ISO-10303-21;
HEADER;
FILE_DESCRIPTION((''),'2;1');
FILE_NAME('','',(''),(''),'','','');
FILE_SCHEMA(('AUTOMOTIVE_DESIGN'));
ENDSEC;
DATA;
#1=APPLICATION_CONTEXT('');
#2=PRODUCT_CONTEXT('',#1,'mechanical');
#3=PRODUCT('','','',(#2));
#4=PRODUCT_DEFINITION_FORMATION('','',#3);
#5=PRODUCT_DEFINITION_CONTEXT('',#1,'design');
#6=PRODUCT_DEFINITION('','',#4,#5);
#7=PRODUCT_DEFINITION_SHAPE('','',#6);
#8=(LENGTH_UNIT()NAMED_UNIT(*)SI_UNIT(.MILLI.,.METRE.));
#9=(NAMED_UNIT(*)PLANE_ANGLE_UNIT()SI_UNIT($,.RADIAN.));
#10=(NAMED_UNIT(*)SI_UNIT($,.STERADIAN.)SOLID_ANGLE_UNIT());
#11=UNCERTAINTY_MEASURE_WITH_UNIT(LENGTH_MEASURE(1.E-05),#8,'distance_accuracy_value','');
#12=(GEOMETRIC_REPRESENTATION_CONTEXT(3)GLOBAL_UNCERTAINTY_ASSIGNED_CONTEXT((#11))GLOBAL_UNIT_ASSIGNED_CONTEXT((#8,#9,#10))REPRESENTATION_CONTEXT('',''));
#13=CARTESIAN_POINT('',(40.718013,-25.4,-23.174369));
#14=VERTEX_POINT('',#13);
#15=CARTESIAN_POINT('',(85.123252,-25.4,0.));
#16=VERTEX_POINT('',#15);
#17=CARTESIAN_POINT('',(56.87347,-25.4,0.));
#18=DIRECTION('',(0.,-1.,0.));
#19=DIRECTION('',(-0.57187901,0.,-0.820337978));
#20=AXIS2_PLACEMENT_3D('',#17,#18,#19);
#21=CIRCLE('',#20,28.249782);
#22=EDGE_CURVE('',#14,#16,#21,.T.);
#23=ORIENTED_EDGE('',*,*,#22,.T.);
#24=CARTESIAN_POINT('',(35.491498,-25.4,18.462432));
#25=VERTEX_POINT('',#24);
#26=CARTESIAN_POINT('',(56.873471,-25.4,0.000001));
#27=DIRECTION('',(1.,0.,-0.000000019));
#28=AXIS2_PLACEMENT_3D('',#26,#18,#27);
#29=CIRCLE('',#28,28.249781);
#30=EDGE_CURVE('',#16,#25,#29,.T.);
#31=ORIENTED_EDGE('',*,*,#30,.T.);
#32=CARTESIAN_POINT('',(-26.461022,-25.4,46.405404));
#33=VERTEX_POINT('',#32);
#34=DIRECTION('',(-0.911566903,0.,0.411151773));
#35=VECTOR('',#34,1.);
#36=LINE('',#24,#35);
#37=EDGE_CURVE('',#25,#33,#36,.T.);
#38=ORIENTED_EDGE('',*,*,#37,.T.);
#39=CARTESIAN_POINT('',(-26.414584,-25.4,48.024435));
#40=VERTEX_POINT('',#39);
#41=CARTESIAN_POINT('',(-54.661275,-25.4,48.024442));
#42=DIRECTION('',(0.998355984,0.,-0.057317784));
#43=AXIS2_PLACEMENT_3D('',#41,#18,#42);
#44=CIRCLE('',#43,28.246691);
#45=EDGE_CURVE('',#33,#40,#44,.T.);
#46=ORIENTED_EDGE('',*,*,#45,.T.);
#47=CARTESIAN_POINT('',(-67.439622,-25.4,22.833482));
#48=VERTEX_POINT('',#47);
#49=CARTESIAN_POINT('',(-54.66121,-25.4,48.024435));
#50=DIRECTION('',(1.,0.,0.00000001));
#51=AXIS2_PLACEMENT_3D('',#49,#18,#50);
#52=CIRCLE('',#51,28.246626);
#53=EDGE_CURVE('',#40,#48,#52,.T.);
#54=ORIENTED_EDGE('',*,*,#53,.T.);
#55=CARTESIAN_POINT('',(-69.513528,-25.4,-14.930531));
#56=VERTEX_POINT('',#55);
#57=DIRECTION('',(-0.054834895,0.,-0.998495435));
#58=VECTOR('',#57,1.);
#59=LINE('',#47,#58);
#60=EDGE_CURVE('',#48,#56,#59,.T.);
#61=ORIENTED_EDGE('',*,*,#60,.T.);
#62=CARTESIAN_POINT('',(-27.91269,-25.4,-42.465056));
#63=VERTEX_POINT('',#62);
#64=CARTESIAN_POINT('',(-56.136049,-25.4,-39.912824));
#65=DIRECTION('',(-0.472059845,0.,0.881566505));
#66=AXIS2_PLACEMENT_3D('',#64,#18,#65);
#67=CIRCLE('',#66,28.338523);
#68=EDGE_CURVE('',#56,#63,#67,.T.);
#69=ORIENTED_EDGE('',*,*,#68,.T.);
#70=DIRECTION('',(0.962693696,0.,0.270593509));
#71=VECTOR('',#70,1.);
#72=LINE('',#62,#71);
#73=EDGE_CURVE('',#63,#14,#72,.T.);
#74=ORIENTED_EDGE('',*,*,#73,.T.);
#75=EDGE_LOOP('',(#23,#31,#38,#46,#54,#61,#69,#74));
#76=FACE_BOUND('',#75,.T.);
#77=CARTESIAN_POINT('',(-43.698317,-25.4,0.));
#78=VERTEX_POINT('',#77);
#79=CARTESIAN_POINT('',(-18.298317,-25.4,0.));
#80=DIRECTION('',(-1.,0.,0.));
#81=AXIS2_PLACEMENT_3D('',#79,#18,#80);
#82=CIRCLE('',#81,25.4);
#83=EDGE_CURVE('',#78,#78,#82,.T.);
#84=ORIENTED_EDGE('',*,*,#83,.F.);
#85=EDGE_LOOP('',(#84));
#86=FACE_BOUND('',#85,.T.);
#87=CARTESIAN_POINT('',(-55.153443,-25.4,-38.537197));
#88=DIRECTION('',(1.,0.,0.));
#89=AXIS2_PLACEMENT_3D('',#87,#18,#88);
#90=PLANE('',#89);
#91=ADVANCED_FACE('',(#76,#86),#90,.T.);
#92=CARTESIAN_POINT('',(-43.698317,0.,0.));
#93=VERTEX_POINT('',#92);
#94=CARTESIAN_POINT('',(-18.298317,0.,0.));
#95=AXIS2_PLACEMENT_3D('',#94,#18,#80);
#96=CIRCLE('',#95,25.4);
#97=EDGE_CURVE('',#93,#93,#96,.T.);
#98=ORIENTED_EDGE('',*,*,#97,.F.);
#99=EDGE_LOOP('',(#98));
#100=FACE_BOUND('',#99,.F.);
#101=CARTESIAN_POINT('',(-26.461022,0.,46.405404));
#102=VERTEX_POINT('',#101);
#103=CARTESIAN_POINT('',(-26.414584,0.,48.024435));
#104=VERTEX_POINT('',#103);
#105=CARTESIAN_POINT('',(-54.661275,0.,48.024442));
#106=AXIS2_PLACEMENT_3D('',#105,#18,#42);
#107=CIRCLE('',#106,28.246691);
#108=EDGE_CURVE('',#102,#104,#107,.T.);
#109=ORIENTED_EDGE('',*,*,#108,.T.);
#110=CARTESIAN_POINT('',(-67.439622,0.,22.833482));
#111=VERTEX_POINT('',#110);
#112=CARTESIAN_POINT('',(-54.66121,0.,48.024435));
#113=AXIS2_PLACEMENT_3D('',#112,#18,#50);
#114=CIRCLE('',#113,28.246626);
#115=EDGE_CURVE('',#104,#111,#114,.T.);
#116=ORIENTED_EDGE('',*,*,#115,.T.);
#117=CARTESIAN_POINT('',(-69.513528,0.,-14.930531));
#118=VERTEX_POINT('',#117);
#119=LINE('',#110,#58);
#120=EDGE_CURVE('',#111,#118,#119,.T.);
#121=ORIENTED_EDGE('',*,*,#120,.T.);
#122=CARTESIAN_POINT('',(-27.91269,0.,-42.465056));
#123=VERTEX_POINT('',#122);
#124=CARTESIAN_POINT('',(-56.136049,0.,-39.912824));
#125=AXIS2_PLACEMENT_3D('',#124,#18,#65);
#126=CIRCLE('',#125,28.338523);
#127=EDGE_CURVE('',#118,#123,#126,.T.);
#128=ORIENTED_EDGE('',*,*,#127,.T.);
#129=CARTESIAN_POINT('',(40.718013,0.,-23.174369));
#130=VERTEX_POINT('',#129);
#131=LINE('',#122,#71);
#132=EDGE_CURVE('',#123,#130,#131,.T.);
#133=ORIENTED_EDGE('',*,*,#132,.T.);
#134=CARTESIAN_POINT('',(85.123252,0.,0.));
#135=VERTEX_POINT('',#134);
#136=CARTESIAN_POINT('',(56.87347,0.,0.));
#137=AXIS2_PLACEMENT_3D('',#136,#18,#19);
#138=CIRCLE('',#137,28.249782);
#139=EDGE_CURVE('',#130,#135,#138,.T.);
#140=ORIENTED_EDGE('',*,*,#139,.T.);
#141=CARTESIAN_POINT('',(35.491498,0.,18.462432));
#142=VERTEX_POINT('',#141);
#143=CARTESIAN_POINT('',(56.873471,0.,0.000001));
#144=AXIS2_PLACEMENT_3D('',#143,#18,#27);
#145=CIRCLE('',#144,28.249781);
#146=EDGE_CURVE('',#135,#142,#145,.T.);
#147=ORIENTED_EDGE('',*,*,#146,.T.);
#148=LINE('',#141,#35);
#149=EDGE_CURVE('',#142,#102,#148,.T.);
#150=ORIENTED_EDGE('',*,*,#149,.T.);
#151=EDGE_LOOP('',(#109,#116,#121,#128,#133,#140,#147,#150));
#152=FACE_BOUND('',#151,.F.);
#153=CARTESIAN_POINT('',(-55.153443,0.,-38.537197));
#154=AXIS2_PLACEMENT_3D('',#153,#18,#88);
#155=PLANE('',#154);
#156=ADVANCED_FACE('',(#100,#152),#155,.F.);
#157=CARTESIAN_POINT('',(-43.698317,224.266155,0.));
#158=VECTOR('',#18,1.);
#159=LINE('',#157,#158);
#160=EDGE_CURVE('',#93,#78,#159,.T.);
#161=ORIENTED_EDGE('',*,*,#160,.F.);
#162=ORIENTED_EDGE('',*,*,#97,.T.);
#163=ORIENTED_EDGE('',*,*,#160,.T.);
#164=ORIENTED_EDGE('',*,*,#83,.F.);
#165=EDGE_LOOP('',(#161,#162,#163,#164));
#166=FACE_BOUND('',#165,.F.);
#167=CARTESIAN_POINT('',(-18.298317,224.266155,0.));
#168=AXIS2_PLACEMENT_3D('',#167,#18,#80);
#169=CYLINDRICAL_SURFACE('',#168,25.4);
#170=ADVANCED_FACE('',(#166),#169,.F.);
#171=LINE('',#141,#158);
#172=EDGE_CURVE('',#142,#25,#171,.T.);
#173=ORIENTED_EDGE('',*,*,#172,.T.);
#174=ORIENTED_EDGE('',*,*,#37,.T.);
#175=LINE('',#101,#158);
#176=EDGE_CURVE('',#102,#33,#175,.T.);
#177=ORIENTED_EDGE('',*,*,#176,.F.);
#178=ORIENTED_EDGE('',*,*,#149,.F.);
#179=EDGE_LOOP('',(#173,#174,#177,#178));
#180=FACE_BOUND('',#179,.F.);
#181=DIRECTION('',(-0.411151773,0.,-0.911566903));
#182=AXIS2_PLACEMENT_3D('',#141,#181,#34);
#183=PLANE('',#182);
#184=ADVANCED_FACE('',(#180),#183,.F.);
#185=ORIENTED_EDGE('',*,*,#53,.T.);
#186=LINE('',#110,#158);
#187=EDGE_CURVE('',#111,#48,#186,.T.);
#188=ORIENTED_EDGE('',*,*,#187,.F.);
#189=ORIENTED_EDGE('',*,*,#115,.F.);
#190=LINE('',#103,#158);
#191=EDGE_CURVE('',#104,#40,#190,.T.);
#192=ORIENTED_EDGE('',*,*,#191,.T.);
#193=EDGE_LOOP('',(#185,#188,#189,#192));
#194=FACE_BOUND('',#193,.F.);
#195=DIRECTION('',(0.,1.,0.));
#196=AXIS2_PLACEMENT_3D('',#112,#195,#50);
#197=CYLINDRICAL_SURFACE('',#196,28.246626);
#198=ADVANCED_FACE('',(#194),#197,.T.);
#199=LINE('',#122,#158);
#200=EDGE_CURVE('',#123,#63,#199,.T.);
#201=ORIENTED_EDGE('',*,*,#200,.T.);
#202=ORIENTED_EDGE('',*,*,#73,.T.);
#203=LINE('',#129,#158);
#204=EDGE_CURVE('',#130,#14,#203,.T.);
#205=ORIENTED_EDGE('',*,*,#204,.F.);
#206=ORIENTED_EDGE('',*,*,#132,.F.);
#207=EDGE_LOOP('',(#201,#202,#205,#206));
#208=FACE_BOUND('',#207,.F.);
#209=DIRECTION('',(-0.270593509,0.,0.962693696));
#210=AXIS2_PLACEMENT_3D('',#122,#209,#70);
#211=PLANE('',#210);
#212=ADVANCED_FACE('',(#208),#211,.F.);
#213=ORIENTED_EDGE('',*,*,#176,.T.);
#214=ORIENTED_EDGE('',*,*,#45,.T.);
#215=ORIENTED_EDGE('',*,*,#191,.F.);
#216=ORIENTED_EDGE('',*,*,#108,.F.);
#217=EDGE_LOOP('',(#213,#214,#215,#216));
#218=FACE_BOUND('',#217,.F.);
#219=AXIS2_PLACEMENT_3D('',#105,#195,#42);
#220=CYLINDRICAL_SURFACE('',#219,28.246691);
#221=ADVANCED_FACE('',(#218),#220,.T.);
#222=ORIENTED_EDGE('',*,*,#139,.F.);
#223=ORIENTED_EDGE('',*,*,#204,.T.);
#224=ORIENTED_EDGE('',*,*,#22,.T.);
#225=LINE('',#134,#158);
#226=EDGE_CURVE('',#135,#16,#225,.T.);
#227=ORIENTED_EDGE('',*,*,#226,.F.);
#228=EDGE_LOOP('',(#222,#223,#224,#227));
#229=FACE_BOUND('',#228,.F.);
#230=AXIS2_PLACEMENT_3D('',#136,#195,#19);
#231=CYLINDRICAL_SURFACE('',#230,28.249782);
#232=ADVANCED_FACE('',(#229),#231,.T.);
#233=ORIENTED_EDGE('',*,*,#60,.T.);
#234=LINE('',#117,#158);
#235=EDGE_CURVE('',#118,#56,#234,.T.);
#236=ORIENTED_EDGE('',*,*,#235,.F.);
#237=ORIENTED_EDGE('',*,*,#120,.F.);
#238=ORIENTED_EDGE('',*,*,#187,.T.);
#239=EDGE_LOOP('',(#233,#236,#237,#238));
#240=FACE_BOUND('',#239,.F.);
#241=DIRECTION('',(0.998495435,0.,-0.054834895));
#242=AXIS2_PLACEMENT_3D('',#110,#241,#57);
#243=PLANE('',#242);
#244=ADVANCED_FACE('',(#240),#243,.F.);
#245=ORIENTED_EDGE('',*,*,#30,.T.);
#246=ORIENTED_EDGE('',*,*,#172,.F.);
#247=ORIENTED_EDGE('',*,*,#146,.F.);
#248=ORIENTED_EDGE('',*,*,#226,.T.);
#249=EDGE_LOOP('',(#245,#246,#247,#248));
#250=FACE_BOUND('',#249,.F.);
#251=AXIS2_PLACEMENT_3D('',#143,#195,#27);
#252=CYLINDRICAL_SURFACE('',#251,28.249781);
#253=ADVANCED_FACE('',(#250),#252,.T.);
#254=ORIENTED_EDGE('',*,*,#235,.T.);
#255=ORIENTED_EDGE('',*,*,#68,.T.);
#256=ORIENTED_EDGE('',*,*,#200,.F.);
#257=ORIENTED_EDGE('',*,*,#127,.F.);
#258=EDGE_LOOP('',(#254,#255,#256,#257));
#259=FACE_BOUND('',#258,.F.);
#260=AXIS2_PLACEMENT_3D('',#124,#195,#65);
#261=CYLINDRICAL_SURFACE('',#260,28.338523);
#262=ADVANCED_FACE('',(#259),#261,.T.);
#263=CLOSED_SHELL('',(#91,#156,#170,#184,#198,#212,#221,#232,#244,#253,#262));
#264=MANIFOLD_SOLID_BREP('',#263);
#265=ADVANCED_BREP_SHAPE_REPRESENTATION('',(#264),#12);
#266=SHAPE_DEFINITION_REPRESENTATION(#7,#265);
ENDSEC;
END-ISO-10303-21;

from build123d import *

# Parameters (mm, degrees)
F1_DEPTH = 25.4
F3_D     = 50.8


with BuildPart() as f1:
    # F0 (on Front) → F1 (new body)
    with BuildSketch(Plane.XZ):
        with BuildLine():
            ThreePointArc((-31.312975, -26.242166), (-48.090014, -12.740536), (-69.513528, -14.930531))
            ThreePointArc((-69.513528, -14.930531), (-71.776943, -63.544039), (-27.91269, -42.465056))
            ThreePointArc((-27.91269, -42.465056), (-27.826332, -41.190238), (-27.797526, -39.912824))
            ThreePointArc((-27.797526, -39.912824), (-28.690456, -32.855111), (-31.312975, -26.242166))
        make_face()
        with BuildLine():
            ThreePointArc((-26.461022, 46.405404), (-26.426196, 47.214586), (-26.414584, 48.024435))
            ThreePointArc((-26.414584, 48.024435), (-69.441686, 72.09536), (-67.439622, 22.833482))
            ThreePointArc((-67.439622, 22.833482), (-49.122707, 20.326115), (-33.178403, 29.68429))
            ThreePointArc((-33.178403, 29.68429), (-28.450546, 37.494811), (-26.461022, 46.405404))
        make_face()
        with BuildLine():
            ThreePointArc((-33.178403, 29.68429), (-49.122707, 20.326115), (-67.439622, 22.833482))
            Line((-67.439622, 22.833482), (-69.513528, -14.930531))
            ThreePointArc((-69.513528, -14.930531), (-48.090014, -12.740536), (-31.312975, -26.242166))
            Line((-31.312975, -26.242166), (30.625931, -10.4459))
            ThreePointArc((30.625931, -10.4459), (28.964672, -4.375974), (28.688407, 1.911113))
            Line((28.688407, 1.911113), (-33.178403, 29.68429))
        make_face()
        with BuildLine():
            Line((30.625931, -10.4459), (-31.312975, -26.242166))
            ThreePointArc((-31.312975, -26.242166), (-28.690456, -32.855111), (-27.797526, -39.912824))
            ThreePointArc((-27.797526, -39.912824), (-27.826332, -41.190238), (-27.91269, -42.465056))
            Line((-27.91269, -42.465056), (40.718013, -23.174369))
            ThreePointArc((40.718013, -23.174369), (34.737368, -17.551158), (30.625931, -10.4459))
        make_face()
        with BuildLine():
            ThreePointArc((85.123252, 0), (66.722686, 26.477219), (35.491498, 18.462432))
            ThreePointArc((35.491498, 18.462432), (30.744764, 10.739686), (28.688407, 1.911113))
            ThreePointArc((28.688407, 1.911113), (28.964672, -4.375974), (30.625931, -10.4459))
            ThreePointArc((30.625931, -10.4459), (34.737368, -17.551158), (40.718013, -23.174369))
            ThreePointArc((40.718013, -23.174369), (69.943704, -25.044344), (85.123252, 0))
        make_face()
        with BuildLine():
            Line((35.491498, 18.462432), (-26.461022, 46.405404))
            ThreePointArc((-26.461022, 46.405404), (-28.450546, 37.494811), (-33.178403, 29.68429))
            Line((-33.178403, 29.68429), (28.688407, 1.911113))
            ThreePointArc((28.688407, 1.911113), (30.744764, 10.739686), (35.491498, 18.462432))
        make_face()
    extrude(amount=F1_DEPTH)

    # F3 (through all)
    with Locations(Plane(origin=(0, 0, 0), x_dir=(1, 0, 0), z_dir=(0, 1, 0))):
        with Locations((-18.298317, 0)):
            Hole(F3_D / 2)


solid = f1.part
